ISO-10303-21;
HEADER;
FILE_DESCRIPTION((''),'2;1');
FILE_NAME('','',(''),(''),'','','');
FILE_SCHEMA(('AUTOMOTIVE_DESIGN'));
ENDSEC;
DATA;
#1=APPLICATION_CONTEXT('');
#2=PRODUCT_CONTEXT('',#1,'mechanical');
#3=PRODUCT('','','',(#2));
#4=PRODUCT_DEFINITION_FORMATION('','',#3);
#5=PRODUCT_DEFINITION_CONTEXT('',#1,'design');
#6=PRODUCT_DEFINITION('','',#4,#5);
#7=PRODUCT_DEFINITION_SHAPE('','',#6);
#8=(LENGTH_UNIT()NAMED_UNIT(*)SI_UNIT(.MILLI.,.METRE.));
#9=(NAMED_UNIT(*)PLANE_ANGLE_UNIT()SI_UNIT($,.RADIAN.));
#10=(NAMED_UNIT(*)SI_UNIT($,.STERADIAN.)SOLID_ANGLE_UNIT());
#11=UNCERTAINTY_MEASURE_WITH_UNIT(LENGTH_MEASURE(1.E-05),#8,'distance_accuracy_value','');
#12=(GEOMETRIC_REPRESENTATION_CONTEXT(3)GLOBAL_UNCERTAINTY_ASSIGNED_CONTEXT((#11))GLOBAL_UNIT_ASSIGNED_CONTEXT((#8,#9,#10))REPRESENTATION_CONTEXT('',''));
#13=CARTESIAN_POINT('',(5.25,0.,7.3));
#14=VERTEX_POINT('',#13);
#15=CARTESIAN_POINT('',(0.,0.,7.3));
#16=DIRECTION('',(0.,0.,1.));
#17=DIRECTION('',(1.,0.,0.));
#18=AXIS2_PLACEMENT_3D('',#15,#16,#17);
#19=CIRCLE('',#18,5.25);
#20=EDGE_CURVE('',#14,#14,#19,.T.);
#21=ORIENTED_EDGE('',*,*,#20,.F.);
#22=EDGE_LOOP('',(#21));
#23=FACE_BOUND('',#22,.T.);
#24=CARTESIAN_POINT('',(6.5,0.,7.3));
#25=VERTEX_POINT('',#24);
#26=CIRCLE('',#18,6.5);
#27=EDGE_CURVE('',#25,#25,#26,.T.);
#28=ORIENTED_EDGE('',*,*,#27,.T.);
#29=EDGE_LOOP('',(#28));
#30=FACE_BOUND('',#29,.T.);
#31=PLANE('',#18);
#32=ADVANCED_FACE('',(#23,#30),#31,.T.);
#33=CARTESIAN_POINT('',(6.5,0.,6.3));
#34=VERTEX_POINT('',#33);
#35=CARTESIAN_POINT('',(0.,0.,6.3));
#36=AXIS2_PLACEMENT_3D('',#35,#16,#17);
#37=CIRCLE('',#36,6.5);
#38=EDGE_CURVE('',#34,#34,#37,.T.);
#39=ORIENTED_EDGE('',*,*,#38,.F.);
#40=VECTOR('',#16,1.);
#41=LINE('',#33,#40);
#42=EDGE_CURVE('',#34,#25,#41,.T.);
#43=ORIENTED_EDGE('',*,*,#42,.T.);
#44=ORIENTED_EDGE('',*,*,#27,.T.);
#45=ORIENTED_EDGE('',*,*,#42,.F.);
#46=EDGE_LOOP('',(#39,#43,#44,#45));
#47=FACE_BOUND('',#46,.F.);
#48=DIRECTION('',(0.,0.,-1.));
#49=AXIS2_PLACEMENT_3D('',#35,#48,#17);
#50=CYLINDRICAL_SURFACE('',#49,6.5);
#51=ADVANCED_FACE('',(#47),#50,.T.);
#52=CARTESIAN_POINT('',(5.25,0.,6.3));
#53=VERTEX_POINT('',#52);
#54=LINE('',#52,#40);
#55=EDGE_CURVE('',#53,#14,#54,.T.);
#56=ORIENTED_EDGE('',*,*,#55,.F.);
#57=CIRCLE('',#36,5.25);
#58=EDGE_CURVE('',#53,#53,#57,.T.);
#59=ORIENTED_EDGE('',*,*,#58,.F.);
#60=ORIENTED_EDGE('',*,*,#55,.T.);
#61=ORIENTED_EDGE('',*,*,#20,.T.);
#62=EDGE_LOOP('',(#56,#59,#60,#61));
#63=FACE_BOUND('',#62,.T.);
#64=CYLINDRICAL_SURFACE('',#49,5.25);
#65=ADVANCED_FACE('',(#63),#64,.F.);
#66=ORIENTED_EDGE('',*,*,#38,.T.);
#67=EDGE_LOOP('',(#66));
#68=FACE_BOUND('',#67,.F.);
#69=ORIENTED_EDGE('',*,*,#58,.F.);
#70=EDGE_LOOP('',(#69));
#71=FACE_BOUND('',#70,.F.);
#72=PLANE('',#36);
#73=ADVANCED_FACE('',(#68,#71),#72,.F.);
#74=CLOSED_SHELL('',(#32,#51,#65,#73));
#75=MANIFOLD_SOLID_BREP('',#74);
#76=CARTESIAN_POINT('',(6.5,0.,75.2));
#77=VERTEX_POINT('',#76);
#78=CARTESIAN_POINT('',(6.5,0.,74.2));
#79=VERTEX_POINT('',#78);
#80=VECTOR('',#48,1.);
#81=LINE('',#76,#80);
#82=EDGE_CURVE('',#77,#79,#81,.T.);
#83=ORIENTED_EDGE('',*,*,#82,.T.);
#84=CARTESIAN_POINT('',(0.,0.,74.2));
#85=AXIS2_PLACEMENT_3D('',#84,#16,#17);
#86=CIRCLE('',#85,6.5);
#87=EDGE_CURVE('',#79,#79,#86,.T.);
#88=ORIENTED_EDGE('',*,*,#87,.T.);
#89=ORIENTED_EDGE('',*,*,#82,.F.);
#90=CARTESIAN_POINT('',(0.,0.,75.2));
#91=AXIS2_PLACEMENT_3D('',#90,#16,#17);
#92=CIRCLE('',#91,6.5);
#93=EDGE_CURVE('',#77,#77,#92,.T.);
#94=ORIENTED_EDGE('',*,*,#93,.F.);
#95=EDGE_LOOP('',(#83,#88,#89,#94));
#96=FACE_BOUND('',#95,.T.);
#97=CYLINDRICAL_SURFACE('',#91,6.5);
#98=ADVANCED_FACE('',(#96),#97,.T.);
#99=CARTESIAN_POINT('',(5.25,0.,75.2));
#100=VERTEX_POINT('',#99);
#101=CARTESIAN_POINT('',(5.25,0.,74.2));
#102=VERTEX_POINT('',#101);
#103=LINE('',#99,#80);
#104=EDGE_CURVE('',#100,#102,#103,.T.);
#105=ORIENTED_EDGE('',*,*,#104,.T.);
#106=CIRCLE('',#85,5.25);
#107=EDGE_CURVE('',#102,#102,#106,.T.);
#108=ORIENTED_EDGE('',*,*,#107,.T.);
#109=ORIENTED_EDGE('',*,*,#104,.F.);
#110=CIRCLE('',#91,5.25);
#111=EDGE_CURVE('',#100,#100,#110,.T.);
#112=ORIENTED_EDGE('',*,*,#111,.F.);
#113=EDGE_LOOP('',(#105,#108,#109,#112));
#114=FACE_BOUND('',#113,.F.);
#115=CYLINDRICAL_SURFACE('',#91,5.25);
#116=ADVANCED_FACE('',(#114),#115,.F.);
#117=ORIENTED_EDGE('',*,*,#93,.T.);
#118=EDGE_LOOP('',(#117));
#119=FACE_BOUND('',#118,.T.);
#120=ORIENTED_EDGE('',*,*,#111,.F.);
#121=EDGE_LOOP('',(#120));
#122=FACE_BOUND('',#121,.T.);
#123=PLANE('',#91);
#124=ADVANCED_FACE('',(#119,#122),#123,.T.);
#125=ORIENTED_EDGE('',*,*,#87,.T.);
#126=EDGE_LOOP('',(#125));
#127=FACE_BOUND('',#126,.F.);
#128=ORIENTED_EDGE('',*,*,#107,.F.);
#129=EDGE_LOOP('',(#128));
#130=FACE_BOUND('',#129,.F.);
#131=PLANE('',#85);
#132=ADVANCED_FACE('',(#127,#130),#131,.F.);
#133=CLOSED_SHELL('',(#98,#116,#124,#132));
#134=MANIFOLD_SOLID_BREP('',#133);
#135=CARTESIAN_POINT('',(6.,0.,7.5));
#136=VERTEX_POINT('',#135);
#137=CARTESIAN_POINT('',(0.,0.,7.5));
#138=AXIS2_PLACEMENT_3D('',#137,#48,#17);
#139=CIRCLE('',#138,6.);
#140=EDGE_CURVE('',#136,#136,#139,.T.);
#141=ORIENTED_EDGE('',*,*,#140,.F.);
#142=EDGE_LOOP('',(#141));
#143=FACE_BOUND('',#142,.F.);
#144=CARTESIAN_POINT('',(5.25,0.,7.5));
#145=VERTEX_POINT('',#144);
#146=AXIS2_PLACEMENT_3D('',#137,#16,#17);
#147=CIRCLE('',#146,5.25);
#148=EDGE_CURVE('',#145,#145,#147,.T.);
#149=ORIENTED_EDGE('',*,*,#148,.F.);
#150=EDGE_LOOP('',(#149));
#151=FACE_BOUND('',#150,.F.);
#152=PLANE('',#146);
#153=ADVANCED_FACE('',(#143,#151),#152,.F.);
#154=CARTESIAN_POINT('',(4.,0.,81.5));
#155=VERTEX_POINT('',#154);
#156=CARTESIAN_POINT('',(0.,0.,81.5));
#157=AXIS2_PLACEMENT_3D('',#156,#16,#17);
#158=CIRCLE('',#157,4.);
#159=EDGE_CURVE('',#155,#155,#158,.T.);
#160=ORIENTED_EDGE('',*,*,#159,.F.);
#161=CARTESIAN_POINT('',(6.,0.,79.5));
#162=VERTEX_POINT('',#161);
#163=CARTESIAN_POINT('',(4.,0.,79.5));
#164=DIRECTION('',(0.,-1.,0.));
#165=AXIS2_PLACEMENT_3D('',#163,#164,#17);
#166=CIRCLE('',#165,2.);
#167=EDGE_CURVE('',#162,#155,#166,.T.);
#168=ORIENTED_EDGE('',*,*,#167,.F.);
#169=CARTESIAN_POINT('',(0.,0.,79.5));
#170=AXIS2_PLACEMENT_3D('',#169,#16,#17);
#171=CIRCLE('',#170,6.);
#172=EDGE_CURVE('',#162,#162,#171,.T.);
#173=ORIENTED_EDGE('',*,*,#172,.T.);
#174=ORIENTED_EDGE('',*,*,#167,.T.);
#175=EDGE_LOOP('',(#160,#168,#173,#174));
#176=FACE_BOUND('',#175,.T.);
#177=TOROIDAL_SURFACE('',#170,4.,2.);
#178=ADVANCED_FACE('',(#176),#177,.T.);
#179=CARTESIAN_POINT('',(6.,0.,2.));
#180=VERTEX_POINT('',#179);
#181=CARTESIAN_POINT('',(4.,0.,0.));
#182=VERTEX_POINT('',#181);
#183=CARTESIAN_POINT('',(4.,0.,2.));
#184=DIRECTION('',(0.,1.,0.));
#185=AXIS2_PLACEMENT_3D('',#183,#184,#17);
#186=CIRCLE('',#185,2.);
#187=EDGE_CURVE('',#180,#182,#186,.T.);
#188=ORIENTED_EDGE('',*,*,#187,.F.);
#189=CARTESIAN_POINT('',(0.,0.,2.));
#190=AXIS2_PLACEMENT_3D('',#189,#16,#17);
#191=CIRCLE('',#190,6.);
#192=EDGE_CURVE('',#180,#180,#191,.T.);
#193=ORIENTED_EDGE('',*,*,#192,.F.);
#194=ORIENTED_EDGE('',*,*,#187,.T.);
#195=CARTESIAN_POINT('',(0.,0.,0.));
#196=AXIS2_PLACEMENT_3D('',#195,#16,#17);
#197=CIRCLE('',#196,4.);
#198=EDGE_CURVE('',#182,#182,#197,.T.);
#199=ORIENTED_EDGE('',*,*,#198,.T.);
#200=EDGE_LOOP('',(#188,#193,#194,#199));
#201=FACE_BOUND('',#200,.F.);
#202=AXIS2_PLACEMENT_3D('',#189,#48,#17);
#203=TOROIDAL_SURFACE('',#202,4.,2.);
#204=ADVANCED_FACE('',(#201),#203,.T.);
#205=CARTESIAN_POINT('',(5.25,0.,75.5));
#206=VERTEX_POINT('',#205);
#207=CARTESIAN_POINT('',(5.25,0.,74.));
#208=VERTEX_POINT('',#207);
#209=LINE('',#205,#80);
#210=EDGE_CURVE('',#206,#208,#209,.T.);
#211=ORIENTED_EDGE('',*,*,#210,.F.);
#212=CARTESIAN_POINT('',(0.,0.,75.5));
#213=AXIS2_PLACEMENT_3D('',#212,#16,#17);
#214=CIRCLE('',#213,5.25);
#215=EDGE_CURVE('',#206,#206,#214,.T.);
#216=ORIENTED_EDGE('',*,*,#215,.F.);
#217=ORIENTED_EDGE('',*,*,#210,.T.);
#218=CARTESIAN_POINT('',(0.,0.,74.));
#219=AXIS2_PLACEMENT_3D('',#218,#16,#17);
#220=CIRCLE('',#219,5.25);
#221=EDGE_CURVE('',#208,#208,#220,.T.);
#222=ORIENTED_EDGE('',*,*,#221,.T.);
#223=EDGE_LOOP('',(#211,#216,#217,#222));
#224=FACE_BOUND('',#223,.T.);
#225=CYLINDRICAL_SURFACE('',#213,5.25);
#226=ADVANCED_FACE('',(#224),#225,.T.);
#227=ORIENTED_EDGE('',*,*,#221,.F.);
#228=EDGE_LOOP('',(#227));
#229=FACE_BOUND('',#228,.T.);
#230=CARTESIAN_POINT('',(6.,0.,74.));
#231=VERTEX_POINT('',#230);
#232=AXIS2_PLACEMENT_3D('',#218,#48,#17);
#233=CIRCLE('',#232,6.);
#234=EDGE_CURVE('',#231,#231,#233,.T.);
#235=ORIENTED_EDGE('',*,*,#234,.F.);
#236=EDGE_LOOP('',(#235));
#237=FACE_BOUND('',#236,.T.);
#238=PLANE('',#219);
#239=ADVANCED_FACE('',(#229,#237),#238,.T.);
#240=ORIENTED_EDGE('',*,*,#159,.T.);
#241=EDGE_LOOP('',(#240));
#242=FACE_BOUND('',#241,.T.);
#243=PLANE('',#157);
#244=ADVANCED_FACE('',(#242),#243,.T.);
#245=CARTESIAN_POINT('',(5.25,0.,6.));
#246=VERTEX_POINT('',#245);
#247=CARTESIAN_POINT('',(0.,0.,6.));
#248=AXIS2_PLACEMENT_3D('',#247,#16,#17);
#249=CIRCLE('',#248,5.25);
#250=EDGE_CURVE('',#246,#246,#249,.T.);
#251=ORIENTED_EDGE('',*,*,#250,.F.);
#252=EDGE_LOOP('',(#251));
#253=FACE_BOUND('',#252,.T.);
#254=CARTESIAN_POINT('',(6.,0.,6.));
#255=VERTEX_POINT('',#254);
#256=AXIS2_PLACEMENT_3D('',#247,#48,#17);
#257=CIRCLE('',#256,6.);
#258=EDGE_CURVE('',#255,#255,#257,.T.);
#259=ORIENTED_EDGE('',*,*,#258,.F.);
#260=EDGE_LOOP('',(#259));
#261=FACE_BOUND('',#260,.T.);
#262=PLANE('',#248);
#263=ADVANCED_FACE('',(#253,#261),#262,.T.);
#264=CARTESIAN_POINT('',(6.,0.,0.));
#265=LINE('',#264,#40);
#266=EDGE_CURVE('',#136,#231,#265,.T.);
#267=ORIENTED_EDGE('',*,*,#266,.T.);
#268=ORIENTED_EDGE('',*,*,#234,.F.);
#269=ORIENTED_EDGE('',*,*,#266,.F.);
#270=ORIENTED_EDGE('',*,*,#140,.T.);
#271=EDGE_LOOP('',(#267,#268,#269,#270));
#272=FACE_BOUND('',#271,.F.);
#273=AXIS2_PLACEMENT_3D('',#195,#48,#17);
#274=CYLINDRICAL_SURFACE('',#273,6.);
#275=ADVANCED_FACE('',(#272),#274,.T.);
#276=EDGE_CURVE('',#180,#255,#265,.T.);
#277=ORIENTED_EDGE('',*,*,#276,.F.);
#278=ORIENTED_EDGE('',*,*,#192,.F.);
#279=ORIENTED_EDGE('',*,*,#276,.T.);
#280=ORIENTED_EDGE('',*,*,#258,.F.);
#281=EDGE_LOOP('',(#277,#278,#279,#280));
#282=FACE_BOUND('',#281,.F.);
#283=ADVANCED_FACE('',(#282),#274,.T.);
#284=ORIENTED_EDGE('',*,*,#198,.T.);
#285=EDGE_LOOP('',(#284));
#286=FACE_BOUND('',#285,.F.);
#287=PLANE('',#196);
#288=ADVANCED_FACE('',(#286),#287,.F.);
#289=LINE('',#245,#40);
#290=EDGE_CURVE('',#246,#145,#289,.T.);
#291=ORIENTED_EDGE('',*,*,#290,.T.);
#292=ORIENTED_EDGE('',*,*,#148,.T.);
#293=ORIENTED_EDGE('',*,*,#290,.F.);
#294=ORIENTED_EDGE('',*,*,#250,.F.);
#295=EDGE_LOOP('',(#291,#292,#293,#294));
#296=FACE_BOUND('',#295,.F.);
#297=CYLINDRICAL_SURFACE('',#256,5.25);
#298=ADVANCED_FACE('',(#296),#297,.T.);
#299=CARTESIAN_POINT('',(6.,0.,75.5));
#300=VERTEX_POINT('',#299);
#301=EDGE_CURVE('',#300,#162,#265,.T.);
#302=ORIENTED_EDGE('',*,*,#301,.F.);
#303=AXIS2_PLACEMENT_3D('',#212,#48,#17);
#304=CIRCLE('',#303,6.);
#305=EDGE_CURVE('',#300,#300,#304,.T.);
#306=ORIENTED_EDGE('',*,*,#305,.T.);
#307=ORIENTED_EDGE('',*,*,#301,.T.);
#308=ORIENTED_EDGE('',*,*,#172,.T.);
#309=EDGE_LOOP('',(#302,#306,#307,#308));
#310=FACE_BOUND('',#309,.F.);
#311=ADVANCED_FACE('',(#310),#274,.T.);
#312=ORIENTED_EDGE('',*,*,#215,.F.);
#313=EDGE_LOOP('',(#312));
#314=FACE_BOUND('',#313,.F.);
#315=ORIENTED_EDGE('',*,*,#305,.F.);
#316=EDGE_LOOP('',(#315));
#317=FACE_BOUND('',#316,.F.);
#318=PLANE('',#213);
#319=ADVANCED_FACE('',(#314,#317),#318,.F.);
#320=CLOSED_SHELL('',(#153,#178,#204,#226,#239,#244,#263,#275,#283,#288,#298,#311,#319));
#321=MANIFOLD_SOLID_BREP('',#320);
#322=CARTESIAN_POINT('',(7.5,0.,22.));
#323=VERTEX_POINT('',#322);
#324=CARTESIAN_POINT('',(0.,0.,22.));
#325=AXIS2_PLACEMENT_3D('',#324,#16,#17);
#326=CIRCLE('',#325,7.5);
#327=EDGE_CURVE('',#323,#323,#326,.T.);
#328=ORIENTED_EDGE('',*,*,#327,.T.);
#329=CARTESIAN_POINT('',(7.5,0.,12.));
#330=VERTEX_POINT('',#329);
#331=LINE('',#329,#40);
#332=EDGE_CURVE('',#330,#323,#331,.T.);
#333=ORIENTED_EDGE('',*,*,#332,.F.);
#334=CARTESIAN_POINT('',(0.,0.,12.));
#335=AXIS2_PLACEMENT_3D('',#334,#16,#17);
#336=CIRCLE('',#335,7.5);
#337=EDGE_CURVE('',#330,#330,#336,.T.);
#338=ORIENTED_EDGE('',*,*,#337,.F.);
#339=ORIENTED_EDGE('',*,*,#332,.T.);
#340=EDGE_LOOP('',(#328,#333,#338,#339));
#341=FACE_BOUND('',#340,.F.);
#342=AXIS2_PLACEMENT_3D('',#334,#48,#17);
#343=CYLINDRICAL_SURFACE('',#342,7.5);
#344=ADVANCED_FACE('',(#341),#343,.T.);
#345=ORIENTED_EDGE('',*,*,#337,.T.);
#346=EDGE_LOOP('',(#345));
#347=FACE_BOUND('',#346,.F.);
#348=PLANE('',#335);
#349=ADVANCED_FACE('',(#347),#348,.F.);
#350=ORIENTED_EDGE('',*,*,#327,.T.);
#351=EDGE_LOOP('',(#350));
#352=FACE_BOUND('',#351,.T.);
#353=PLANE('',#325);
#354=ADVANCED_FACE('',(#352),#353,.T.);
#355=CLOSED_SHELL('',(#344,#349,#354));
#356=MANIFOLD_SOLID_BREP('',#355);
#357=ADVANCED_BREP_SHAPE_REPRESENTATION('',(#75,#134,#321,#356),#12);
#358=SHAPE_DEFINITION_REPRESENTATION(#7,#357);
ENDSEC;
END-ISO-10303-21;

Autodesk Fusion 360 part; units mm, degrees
sketch "Esboço1" plane through (0, 0, 0) normal (0, 0, 1) x (1, 0, 0)
  circle A0 centre (0, 0) radius 6
  dimension "d1" = 12
extrude "Extrusão1" add sketch "Esboço1" along normal blind 81.5 makes body 1
fillet "Arredondamento1" radius 2 2 edges at (-5.594, -2.1697, 81.5) (-5.594, -2.1697, 0) on bodies 1
ref_plane "Plano de trabalho1" through (0, 0, 12) normal (0, 0, 1) x (1, 0, 0)
ref_plane "Plano de trabalho2" through (0, 0, 6) normal (0, 0, 1) x (1, 0, 0)
ref_plane "Plano de trabalho3" through (0, 0, 75.5) normal (0, 0, 1) x (1, 0, 0)
sketch "Esboço2" plane through (0, 0, 75.5) normal (0, 0, 1) x (1, 0, 0)
  circle A0 centre (0, 0) radius 6.25
  circle A1 centre (0, 0) radius 5.25
  dimension "d9" = 12.5
  dimension "d12" = 10.5
extrude "Extrusão2" cut sketch "Esboço2" against normal blind 1.5 bodies 1
ref_plane "Plano de trabalho4" through (0, 0, 75.2) normal (0, 0, 1) x (1, 0, 0)
sketch "Esboço3" plane through (0, 0, 75.2) normal (0, 0, 1) x (1, 0, 0)
  circle A0 centre (0, 0) radius 5.25
  circle A1 centre (0, 0) radius 6.5
  dimension "d13" = 13
  dimension "d14" = 10.5
extrude "Extrusão3" add sketch "Esboço3" against normal blind 1 separate body makes body 2
sketch "Esboço4" plane through (0, 0, 12) normal (0, 0, 1) x (1, 0, 0)
  circle A0 centre (0, 0) radius 7.5
  dimension "d18" = 15
extrude "Extrusão4" add sketch "Esboço4" along normal blind 10 separate body makes body 3
sketch "Esboço5" plane through (0, 0, 6) normal (0, 0, 1) x (1, 0, 0)
  circle A0 centre (0, 0) radius 7
  circle A1 centre (0, 0) radius 5.25
  dimension "d21" = 10.5
  dimension "d22" = 14
extrude "Extrusão5" cut sketch "Esboço5" along normal blind 1.5 bodies 1
ref_plane "Plano de trabalho5" through (0, 0, 6.3) normal (0, 0, 1) x (1, 0, 0)
sketch "Esboço6" plane through (0, 0, 6.3) normal (0, 0, 1) x (1, 0, 0)
  circle A0 centre (0, 0) radius 5.25
  circle A1 centre (0, 0) radius 6.5
  dimension "d26" = 10.5
  dimension "d27" = 13
extrude "Extrusão6" add sketch "Esboço6" along normal blind 1 separate body makes body 4
